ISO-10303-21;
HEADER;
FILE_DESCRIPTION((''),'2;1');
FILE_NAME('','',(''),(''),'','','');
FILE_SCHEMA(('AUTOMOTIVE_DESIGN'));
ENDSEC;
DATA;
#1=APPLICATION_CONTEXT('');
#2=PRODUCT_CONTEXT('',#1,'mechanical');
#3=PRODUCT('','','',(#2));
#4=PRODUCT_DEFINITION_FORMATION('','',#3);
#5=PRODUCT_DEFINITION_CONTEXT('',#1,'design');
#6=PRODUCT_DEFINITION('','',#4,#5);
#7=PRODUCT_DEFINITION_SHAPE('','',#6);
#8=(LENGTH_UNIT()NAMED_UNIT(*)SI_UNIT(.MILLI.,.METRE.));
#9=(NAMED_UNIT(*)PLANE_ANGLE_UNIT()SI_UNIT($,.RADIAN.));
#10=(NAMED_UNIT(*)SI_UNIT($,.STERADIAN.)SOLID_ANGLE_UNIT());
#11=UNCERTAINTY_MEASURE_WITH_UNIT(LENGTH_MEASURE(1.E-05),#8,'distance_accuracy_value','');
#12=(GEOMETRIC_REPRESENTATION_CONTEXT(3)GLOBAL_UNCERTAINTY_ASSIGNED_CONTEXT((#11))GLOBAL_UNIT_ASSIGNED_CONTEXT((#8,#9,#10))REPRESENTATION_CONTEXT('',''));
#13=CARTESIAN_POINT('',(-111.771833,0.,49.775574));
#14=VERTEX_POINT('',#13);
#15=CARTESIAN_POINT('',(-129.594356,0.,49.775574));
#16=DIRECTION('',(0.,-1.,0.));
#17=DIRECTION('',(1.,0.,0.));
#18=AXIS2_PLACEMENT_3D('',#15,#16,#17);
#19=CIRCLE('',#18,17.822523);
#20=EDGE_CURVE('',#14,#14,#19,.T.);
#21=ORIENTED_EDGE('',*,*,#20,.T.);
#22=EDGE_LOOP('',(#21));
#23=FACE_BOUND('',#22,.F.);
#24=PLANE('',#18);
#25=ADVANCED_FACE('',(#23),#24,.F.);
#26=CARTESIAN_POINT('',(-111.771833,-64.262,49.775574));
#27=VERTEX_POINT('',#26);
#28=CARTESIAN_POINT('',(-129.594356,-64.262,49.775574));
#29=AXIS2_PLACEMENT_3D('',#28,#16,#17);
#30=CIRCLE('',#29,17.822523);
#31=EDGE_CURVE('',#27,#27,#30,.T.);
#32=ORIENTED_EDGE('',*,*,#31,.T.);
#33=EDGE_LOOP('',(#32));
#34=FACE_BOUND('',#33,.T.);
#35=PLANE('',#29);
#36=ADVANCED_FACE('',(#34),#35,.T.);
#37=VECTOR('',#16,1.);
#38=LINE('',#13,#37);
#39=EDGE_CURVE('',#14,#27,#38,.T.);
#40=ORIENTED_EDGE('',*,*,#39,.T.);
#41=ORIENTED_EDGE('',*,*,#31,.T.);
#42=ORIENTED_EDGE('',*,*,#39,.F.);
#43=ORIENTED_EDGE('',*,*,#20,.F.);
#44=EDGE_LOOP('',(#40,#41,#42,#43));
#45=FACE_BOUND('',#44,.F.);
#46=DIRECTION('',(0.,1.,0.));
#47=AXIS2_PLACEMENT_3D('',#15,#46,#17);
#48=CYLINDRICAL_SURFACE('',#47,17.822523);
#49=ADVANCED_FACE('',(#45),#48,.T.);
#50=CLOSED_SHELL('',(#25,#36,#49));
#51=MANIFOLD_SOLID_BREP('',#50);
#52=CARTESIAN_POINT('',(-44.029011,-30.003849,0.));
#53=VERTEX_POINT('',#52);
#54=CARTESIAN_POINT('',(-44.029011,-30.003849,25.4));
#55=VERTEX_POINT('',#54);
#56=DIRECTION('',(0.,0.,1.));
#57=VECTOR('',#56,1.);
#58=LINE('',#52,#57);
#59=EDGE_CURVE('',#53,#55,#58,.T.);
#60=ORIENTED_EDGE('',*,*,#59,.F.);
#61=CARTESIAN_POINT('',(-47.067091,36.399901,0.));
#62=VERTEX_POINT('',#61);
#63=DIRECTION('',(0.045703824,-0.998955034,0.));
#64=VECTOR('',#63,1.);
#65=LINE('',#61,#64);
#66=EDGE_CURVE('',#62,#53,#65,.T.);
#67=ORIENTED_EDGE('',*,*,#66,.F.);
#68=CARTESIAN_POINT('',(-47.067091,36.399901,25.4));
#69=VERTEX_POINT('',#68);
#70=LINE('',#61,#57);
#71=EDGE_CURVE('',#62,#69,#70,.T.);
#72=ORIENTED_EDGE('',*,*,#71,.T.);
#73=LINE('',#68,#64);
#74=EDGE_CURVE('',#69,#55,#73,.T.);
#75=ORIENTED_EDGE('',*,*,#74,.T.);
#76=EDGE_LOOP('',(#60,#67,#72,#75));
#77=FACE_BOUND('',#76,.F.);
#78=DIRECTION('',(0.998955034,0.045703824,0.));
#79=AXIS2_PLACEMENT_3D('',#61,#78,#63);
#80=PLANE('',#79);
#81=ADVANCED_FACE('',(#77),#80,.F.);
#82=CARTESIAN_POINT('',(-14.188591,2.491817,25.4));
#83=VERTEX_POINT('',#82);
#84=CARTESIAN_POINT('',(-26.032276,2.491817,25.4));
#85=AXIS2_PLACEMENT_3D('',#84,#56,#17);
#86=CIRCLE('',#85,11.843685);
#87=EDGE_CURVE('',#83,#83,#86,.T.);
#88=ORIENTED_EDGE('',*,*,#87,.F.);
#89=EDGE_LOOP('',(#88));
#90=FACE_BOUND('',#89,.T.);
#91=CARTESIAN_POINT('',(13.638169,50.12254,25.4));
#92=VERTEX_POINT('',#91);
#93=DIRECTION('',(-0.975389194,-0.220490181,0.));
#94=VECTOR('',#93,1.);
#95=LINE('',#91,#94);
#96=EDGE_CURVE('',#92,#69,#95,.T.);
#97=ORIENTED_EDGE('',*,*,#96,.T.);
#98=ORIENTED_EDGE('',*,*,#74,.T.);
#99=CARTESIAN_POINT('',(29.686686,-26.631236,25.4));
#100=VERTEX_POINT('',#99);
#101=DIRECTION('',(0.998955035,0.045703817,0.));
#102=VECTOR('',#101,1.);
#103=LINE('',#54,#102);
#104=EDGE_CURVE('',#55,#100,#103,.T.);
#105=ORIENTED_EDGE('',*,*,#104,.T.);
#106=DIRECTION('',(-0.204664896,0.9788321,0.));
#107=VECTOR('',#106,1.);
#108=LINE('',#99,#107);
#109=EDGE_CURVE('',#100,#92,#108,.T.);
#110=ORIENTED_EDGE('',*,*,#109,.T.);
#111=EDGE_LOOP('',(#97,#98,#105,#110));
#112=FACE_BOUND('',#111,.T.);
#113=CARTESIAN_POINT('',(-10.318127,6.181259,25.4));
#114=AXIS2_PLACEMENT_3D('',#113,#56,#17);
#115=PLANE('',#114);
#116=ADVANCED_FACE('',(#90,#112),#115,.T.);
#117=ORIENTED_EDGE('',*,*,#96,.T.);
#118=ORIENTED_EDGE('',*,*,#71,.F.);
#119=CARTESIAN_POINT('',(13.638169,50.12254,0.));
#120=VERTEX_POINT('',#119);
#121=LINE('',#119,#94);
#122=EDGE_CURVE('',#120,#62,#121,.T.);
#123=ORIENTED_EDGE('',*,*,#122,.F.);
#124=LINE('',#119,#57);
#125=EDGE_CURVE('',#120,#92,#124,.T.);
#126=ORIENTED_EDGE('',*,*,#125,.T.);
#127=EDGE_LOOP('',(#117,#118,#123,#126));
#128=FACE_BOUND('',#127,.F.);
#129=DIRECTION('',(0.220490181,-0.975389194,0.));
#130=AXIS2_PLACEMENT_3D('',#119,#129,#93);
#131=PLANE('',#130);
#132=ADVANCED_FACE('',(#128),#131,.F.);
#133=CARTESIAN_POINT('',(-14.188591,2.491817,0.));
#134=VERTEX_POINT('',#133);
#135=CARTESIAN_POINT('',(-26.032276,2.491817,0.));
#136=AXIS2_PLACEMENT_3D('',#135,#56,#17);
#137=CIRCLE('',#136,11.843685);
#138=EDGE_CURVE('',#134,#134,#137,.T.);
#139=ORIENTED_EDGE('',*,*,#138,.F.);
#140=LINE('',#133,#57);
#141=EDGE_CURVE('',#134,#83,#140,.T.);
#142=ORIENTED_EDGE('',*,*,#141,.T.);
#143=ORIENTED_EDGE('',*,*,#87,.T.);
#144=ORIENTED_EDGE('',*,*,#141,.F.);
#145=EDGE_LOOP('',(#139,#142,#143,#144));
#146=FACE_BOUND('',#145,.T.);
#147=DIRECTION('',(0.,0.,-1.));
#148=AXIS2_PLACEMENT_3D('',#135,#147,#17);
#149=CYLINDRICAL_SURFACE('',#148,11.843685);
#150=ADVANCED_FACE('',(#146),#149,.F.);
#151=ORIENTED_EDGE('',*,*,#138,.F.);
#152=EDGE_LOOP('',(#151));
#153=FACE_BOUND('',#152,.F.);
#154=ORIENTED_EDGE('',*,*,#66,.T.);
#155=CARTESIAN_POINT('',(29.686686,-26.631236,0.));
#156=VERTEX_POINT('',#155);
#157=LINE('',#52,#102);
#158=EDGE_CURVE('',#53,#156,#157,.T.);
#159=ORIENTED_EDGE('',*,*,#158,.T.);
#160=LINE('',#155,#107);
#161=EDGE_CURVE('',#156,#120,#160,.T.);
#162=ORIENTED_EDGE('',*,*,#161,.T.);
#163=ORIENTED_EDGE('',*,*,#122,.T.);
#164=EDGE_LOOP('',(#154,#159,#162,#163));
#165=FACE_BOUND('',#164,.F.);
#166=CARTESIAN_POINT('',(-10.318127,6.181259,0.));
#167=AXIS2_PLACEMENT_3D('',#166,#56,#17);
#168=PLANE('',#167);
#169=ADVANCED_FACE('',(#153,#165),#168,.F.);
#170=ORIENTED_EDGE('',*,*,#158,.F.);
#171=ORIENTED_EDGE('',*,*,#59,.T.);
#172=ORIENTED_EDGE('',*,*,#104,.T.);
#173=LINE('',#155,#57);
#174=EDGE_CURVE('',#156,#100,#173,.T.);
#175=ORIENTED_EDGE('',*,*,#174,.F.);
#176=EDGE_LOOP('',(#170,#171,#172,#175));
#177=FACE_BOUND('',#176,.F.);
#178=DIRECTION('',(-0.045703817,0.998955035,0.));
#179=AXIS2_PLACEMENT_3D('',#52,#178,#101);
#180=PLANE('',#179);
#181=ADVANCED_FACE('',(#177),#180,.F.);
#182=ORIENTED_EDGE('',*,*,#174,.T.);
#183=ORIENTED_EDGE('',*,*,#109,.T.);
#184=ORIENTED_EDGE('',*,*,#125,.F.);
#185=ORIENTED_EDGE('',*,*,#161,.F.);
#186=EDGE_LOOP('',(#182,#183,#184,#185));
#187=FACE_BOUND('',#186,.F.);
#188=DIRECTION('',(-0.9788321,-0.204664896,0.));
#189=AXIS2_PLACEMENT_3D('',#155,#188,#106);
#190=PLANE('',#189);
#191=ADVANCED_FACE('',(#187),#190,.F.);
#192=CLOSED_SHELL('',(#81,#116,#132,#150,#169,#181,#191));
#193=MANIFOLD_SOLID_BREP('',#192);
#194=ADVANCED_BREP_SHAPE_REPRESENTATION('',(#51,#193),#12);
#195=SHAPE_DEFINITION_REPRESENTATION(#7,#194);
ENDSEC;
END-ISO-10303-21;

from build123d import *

# Parameters (mm, degrees)
F0_R     = 11.843685
F1_DEPTH = 25.4
F2_R     = 17.822523
F3_DEPTH = 64.262


with BuildPart() as f1:
    # F0 (on Top) → F1 (new body)
    with BuildSketch(Plane.XY):
        Polygon((13.638169, 50.12254), (-47.067091, 36.399901), (-44.029011, -30.003849), (29.686686, -26.631236), align=None)
        with Locations((-26.032276, 2.491817)):
            Circle(F0_R, mode=Mode.SUBTRACT)
    extrude(amount=F1_DEPTH)


with BuildPart() as f3:
    # F2 (on Front) → F3 (new body)
    with BuildSketch(Plane.XZ):
        with Locations((-129.594356, 49.775574)):
            Circle(F2_R)
    extrude(amount=F3_DEPTH)


solid = Compound([f1.part, f3.part])
